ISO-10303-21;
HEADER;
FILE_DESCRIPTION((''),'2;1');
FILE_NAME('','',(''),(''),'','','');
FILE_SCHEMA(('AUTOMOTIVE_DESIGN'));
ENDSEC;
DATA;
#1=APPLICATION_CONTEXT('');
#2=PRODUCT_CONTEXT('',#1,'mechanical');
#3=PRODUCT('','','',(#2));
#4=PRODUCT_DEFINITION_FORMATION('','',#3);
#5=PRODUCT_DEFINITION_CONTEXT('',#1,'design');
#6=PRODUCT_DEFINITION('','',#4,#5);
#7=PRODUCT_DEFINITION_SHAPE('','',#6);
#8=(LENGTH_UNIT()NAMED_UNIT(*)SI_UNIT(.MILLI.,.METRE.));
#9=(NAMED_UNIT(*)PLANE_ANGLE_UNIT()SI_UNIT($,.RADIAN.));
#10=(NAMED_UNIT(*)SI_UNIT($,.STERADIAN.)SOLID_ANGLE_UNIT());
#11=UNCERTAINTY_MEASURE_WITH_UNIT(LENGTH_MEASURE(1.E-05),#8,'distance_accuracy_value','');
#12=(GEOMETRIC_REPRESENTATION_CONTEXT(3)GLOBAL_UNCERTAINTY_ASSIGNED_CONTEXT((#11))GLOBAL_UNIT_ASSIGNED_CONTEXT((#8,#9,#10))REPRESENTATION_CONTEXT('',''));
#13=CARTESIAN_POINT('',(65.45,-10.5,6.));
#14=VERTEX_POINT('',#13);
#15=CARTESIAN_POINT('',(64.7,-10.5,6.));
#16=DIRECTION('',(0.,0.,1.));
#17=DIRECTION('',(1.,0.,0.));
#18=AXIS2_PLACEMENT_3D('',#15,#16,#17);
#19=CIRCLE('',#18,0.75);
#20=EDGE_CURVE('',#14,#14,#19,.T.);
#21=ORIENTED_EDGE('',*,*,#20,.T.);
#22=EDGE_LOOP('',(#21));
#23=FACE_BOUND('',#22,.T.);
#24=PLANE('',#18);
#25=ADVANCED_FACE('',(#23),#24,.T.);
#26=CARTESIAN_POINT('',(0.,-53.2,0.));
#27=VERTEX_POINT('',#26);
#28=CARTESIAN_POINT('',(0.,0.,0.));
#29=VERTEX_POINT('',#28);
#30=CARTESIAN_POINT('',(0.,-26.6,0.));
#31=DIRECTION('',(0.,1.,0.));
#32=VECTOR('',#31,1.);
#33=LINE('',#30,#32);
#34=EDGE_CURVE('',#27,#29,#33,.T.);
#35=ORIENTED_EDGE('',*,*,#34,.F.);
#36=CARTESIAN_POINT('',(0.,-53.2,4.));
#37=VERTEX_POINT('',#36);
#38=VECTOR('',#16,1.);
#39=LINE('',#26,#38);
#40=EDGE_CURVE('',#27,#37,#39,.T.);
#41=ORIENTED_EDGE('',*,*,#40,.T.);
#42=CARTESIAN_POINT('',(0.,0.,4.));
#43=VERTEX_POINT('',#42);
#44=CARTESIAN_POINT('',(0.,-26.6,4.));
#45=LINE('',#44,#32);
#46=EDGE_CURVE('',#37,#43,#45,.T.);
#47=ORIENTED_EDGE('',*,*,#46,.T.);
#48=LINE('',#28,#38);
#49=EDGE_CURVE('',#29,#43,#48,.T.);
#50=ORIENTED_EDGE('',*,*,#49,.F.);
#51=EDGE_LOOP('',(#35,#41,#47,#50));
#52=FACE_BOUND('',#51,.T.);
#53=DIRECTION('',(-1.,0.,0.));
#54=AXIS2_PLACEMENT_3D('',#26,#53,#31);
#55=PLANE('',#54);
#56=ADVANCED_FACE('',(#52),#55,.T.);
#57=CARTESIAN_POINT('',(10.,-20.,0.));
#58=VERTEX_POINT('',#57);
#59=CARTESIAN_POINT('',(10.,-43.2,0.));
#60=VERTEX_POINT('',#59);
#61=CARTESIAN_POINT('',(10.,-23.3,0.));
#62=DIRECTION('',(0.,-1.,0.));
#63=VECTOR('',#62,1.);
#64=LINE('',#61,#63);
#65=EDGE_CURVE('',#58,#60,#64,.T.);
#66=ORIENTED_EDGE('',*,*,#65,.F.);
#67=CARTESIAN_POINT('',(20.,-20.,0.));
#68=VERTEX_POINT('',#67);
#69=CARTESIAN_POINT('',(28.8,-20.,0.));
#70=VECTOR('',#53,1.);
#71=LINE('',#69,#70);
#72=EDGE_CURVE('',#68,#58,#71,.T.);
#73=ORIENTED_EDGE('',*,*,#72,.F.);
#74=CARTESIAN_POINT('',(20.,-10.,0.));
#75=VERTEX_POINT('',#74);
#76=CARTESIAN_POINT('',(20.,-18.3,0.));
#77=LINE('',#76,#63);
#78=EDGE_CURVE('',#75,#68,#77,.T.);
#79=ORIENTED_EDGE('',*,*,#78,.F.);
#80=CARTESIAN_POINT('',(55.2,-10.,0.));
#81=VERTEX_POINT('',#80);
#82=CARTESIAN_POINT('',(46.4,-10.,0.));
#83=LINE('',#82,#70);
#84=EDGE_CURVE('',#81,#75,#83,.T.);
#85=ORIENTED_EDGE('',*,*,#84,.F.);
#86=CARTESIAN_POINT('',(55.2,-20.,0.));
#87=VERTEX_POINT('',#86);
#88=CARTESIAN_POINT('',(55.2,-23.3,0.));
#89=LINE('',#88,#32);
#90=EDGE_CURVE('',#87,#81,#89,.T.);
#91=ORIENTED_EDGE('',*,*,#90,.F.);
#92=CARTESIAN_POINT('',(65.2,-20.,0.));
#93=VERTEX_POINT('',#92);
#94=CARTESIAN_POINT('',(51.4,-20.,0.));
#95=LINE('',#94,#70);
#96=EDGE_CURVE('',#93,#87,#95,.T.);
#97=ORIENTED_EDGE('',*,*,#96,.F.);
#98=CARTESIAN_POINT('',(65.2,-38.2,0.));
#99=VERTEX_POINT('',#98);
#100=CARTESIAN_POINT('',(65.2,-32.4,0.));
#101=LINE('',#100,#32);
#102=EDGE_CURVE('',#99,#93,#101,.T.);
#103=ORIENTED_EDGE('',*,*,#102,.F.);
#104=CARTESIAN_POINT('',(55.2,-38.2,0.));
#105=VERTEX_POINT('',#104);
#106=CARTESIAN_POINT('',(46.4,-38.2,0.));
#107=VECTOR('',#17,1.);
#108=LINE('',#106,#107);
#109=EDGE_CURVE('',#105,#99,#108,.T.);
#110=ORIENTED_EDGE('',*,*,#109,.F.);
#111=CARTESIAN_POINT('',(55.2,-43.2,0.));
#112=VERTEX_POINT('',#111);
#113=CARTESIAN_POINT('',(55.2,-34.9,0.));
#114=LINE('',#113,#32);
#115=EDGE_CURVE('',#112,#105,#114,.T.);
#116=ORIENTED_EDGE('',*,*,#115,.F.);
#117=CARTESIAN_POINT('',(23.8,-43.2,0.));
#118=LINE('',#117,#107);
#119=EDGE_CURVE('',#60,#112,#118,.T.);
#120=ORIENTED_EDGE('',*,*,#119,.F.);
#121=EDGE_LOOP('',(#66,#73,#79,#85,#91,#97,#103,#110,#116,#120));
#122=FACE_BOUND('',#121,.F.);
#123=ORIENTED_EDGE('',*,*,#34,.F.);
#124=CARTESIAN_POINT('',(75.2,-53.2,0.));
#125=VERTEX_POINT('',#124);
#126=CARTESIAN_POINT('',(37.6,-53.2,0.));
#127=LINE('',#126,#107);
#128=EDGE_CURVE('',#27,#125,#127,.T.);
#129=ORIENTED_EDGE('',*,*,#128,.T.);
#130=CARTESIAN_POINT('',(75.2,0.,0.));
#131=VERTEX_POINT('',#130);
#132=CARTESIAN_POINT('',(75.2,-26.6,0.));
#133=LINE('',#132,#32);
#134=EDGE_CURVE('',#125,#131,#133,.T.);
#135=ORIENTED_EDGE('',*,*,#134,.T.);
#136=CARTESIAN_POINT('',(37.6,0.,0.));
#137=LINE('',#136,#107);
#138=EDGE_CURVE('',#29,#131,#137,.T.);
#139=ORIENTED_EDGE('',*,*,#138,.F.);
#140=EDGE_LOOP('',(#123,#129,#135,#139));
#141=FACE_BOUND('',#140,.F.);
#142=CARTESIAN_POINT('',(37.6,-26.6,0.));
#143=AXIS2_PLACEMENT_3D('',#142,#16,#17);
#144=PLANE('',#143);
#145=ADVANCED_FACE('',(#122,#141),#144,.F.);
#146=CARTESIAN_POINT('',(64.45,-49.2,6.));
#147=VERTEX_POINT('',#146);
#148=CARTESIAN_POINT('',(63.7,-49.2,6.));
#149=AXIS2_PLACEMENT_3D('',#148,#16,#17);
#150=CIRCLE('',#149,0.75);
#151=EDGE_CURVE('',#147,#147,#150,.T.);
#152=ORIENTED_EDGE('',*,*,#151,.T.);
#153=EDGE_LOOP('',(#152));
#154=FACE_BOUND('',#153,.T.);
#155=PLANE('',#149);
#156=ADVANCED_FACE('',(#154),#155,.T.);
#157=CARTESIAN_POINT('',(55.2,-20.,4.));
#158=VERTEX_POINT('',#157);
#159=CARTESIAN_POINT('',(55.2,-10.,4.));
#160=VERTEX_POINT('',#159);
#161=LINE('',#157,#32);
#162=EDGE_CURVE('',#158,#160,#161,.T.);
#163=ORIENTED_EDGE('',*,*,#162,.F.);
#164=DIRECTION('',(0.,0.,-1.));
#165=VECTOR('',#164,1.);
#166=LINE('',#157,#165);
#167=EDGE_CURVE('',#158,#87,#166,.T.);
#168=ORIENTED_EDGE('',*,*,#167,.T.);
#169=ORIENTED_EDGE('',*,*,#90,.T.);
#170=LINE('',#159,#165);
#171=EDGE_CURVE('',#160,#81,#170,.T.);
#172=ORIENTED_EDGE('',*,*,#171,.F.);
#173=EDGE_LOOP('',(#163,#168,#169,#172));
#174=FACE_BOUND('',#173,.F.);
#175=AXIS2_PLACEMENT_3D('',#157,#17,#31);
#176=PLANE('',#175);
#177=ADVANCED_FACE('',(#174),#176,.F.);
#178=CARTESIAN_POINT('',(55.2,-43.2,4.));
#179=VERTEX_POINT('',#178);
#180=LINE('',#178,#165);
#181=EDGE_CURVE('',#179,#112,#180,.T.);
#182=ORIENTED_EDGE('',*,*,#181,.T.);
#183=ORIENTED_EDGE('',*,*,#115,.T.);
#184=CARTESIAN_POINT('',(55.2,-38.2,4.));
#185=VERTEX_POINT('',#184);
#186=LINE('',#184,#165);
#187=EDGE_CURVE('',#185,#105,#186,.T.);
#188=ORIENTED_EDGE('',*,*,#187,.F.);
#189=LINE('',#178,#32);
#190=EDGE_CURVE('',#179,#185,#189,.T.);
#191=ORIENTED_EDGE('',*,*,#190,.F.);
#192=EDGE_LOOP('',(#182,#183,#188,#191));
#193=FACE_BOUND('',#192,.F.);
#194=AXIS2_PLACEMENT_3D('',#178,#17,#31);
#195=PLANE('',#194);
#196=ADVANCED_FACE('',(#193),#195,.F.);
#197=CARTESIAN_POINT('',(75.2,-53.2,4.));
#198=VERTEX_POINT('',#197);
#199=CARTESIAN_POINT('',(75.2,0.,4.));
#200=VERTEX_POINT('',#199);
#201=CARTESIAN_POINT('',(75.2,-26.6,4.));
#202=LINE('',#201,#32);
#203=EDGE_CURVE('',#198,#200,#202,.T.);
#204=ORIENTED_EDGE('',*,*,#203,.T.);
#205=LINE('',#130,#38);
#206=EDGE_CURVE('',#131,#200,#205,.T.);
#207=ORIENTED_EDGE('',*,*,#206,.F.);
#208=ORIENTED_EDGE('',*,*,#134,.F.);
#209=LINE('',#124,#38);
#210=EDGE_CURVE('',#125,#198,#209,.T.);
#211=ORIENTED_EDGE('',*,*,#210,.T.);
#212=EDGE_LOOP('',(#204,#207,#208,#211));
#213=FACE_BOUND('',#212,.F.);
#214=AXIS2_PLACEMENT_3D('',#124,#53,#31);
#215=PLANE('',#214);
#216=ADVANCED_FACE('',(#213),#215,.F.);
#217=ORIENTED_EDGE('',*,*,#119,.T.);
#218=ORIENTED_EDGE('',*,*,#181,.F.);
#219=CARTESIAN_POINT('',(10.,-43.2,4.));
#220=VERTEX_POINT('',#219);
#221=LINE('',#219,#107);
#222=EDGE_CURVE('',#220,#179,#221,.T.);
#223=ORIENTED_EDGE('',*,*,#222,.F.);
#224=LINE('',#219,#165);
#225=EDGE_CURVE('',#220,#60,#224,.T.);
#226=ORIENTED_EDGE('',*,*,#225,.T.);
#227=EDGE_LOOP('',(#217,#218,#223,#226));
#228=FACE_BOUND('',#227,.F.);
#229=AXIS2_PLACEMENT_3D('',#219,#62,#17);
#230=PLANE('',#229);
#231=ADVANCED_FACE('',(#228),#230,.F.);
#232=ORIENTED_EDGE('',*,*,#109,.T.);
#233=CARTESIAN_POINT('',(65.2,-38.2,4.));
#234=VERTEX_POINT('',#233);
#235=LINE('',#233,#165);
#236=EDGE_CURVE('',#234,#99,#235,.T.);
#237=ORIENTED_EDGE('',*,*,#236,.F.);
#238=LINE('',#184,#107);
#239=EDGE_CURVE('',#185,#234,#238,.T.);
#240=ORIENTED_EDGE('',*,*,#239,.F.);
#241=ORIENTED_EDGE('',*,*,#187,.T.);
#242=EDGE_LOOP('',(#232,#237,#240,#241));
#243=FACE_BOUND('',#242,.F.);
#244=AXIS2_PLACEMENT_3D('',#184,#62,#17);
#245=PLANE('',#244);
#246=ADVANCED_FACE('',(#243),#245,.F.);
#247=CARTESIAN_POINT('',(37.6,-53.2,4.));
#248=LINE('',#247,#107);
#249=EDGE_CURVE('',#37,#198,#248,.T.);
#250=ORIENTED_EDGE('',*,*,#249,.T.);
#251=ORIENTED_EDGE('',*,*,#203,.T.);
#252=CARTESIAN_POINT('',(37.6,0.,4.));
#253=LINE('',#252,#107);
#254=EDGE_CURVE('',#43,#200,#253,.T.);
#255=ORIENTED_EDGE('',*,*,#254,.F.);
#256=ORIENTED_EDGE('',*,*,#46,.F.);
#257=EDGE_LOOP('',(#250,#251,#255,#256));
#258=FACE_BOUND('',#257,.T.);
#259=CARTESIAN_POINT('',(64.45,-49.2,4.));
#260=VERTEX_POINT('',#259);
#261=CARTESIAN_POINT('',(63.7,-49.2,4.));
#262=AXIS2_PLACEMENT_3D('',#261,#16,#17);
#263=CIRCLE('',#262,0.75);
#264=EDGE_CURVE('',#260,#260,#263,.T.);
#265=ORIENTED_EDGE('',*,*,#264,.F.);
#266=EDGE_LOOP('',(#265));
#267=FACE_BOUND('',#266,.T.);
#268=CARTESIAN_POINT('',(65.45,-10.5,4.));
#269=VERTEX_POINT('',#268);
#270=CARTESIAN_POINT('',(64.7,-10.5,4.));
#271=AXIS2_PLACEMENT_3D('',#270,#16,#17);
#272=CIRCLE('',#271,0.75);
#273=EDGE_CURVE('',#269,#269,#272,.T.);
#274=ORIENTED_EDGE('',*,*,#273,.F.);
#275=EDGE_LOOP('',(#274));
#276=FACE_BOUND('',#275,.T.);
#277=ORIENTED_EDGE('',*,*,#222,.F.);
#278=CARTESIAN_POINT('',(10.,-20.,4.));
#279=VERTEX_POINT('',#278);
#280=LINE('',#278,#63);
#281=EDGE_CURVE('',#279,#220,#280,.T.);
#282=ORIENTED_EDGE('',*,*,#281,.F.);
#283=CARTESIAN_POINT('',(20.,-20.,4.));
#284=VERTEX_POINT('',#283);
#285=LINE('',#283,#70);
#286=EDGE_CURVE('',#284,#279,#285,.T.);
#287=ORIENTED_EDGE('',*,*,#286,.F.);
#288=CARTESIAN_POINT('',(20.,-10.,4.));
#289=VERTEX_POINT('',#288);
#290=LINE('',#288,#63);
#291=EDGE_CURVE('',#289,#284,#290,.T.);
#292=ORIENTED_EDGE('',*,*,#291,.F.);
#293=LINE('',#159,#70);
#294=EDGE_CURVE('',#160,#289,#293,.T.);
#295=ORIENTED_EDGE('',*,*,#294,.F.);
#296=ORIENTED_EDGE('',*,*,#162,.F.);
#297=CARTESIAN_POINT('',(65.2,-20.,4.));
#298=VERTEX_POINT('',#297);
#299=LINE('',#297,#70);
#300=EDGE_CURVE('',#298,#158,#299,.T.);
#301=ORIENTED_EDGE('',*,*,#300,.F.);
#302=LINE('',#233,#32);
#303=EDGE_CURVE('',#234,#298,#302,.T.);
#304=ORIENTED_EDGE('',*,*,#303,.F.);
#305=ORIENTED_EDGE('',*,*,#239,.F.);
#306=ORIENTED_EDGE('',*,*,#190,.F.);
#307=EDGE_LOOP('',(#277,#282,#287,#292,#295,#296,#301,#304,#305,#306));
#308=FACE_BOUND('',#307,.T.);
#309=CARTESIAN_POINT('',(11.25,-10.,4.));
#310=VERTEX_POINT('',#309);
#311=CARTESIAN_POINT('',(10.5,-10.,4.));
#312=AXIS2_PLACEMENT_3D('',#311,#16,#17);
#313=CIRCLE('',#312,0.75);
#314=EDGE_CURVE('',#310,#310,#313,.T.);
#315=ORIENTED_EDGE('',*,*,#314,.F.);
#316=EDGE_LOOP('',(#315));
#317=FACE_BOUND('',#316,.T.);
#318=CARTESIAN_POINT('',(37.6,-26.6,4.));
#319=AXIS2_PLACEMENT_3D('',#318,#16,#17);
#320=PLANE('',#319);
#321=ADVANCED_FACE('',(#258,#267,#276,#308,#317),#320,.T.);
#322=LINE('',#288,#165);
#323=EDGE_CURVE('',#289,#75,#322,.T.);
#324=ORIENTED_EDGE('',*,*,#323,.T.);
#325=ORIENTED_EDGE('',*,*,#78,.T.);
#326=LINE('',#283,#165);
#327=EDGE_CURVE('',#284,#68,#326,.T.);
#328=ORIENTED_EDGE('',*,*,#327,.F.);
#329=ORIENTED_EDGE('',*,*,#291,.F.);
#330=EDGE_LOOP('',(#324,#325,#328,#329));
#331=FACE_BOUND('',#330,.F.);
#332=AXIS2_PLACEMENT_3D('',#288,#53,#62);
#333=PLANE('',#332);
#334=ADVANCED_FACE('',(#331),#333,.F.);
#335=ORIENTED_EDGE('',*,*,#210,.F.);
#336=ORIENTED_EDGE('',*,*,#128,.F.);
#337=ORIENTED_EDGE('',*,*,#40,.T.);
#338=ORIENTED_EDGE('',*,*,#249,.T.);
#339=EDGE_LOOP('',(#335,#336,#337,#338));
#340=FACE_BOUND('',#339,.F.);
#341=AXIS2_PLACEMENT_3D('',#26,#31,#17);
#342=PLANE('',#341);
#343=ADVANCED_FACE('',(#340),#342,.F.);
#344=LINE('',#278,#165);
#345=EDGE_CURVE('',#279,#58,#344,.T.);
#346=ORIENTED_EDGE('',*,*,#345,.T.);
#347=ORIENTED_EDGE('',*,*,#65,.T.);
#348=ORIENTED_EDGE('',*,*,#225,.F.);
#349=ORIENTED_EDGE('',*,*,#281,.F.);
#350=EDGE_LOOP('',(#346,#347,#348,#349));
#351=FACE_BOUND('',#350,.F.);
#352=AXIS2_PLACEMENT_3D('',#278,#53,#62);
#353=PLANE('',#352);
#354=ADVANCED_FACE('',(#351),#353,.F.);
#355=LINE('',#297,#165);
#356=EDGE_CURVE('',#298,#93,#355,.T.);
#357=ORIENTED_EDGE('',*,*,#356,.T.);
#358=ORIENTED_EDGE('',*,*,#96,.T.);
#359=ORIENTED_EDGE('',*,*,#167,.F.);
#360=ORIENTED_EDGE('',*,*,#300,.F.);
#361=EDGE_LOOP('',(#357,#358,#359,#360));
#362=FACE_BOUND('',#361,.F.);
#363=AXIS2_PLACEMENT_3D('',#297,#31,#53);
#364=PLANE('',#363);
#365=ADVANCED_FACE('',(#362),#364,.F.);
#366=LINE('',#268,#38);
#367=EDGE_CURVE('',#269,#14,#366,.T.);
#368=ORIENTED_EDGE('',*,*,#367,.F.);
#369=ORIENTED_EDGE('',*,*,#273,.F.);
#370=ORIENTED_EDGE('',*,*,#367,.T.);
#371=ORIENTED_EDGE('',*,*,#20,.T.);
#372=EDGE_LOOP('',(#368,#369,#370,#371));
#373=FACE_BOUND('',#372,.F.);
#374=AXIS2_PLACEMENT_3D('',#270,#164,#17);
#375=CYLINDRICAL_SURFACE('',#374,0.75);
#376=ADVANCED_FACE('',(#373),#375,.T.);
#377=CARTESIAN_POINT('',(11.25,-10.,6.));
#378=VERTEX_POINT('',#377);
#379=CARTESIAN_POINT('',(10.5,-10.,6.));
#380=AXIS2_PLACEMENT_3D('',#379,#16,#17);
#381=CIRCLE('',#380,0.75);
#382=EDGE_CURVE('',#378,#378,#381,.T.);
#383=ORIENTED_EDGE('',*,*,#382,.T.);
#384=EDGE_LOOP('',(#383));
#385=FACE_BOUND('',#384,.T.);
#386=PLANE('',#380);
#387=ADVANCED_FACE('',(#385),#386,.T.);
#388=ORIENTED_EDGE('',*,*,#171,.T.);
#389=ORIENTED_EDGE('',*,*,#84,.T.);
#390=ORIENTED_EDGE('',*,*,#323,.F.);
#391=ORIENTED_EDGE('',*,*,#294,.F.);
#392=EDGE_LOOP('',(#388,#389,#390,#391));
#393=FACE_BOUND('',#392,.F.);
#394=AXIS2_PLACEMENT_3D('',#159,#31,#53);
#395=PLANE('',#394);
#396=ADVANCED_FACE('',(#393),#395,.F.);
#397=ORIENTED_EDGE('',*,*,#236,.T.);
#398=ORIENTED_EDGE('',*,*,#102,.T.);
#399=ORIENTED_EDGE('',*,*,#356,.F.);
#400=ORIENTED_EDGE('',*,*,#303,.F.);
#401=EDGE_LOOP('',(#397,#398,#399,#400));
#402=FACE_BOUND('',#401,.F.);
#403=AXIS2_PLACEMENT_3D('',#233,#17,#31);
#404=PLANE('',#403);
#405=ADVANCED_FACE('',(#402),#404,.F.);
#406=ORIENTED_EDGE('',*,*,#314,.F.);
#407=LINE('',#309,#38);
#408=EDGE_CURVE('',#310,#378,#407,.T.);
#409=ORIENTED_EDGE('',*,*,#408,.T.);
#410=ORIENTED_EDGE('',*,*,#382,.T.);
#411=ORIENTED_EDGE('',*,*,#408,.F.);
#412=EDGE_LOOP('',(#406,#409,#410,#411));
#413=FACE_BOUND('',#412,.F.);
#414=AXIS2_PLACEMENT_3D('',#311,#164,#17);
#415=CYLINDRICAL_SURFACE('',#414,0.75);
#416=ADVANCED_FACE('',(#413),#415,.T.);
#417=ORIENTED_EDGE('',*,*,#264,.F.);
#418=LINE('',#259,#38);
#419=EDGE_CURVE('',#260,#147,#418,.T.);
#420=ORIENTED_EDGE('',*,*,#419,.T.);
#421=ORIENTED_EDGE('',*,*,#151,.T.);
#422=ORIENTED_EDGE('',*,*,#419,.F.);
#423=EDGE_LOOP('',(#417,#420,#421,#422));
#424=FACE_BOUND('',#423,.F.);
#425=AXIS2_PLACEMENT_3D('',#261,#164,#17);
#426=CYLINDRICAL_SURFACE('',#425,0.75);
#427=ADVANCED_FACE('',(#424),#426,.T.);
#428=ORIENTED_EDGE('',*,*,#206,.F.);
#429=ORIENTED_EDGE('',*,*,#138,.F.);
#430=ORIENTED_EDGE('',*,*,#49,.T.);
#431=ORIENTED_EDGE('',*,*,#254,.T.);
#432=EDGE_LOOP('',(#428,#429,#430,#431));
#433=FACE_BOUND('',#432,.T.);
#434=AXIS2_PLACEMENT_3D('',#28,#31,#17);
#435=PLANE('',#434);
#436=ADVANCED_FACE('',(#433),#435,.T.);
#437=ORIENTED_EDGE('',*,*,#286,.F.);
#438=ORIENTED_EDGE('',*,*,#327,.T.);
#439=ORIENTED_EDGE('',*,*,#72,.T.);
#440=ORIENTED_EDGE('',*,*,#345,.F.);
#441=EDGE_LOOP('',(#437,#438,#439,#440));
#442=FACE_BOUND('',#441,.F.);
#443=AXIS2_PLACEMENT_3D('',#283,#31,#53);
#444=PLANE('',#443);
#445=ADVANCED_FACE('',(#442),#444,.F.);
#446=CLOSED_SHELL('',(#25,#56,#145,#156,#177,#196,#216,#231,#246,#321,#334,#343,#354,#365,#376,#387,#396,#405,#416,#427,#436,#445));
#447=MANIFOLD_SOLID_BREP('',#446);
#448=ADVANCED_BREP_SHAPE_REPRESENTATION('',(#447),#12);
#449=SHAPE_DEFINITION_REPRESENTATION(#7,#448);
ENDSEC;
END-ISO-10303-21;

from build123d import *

# Parameters (mm, degrees)
F0_W     = 75.2
F0_H     = 53.2
F1_DEPTH = 4
F2_R     = 0.75
F3_DEPTH = 2
F5_DEPTH = 25


with BuildPart() as f1:
    # F0 (on Top) → F1 (new body)
    with BuildSketch(Plane.XY):
        with Locations((37.6, -26.6)):
            Rectangle(F0_W, F0_H)
    extrude(amount=F1_DEPTH)

    # F2 (on face) → F3 (join)
    with BuildSketch(Plane.XY.offset(4)):
        with Locations((10.5, -10)):
            Circle(F2_R)
        with Locations((63.7, -49.2)):
            Circle(F2_R)
        with Locations((64.7, -10.5)):
            Circle(F2_R)
    extrude(amount=F3_DEPTH)

    # F4 (on face) → F5 (cut)
    with BuildSketch(Plane.XY.offset(4)):
        Polygon((20, -20), (10, -20), (10, -43.2), (55.2, -43.2), (55.2, -38.2), (65.2, -38.2), (65.2, -20), (55.2, -20), (55.2, -10), (20, -10), align=None)
    extrude(amount=-F5_DEPTH, mode=Mode.SUBTRACT)


solid = f1.part
